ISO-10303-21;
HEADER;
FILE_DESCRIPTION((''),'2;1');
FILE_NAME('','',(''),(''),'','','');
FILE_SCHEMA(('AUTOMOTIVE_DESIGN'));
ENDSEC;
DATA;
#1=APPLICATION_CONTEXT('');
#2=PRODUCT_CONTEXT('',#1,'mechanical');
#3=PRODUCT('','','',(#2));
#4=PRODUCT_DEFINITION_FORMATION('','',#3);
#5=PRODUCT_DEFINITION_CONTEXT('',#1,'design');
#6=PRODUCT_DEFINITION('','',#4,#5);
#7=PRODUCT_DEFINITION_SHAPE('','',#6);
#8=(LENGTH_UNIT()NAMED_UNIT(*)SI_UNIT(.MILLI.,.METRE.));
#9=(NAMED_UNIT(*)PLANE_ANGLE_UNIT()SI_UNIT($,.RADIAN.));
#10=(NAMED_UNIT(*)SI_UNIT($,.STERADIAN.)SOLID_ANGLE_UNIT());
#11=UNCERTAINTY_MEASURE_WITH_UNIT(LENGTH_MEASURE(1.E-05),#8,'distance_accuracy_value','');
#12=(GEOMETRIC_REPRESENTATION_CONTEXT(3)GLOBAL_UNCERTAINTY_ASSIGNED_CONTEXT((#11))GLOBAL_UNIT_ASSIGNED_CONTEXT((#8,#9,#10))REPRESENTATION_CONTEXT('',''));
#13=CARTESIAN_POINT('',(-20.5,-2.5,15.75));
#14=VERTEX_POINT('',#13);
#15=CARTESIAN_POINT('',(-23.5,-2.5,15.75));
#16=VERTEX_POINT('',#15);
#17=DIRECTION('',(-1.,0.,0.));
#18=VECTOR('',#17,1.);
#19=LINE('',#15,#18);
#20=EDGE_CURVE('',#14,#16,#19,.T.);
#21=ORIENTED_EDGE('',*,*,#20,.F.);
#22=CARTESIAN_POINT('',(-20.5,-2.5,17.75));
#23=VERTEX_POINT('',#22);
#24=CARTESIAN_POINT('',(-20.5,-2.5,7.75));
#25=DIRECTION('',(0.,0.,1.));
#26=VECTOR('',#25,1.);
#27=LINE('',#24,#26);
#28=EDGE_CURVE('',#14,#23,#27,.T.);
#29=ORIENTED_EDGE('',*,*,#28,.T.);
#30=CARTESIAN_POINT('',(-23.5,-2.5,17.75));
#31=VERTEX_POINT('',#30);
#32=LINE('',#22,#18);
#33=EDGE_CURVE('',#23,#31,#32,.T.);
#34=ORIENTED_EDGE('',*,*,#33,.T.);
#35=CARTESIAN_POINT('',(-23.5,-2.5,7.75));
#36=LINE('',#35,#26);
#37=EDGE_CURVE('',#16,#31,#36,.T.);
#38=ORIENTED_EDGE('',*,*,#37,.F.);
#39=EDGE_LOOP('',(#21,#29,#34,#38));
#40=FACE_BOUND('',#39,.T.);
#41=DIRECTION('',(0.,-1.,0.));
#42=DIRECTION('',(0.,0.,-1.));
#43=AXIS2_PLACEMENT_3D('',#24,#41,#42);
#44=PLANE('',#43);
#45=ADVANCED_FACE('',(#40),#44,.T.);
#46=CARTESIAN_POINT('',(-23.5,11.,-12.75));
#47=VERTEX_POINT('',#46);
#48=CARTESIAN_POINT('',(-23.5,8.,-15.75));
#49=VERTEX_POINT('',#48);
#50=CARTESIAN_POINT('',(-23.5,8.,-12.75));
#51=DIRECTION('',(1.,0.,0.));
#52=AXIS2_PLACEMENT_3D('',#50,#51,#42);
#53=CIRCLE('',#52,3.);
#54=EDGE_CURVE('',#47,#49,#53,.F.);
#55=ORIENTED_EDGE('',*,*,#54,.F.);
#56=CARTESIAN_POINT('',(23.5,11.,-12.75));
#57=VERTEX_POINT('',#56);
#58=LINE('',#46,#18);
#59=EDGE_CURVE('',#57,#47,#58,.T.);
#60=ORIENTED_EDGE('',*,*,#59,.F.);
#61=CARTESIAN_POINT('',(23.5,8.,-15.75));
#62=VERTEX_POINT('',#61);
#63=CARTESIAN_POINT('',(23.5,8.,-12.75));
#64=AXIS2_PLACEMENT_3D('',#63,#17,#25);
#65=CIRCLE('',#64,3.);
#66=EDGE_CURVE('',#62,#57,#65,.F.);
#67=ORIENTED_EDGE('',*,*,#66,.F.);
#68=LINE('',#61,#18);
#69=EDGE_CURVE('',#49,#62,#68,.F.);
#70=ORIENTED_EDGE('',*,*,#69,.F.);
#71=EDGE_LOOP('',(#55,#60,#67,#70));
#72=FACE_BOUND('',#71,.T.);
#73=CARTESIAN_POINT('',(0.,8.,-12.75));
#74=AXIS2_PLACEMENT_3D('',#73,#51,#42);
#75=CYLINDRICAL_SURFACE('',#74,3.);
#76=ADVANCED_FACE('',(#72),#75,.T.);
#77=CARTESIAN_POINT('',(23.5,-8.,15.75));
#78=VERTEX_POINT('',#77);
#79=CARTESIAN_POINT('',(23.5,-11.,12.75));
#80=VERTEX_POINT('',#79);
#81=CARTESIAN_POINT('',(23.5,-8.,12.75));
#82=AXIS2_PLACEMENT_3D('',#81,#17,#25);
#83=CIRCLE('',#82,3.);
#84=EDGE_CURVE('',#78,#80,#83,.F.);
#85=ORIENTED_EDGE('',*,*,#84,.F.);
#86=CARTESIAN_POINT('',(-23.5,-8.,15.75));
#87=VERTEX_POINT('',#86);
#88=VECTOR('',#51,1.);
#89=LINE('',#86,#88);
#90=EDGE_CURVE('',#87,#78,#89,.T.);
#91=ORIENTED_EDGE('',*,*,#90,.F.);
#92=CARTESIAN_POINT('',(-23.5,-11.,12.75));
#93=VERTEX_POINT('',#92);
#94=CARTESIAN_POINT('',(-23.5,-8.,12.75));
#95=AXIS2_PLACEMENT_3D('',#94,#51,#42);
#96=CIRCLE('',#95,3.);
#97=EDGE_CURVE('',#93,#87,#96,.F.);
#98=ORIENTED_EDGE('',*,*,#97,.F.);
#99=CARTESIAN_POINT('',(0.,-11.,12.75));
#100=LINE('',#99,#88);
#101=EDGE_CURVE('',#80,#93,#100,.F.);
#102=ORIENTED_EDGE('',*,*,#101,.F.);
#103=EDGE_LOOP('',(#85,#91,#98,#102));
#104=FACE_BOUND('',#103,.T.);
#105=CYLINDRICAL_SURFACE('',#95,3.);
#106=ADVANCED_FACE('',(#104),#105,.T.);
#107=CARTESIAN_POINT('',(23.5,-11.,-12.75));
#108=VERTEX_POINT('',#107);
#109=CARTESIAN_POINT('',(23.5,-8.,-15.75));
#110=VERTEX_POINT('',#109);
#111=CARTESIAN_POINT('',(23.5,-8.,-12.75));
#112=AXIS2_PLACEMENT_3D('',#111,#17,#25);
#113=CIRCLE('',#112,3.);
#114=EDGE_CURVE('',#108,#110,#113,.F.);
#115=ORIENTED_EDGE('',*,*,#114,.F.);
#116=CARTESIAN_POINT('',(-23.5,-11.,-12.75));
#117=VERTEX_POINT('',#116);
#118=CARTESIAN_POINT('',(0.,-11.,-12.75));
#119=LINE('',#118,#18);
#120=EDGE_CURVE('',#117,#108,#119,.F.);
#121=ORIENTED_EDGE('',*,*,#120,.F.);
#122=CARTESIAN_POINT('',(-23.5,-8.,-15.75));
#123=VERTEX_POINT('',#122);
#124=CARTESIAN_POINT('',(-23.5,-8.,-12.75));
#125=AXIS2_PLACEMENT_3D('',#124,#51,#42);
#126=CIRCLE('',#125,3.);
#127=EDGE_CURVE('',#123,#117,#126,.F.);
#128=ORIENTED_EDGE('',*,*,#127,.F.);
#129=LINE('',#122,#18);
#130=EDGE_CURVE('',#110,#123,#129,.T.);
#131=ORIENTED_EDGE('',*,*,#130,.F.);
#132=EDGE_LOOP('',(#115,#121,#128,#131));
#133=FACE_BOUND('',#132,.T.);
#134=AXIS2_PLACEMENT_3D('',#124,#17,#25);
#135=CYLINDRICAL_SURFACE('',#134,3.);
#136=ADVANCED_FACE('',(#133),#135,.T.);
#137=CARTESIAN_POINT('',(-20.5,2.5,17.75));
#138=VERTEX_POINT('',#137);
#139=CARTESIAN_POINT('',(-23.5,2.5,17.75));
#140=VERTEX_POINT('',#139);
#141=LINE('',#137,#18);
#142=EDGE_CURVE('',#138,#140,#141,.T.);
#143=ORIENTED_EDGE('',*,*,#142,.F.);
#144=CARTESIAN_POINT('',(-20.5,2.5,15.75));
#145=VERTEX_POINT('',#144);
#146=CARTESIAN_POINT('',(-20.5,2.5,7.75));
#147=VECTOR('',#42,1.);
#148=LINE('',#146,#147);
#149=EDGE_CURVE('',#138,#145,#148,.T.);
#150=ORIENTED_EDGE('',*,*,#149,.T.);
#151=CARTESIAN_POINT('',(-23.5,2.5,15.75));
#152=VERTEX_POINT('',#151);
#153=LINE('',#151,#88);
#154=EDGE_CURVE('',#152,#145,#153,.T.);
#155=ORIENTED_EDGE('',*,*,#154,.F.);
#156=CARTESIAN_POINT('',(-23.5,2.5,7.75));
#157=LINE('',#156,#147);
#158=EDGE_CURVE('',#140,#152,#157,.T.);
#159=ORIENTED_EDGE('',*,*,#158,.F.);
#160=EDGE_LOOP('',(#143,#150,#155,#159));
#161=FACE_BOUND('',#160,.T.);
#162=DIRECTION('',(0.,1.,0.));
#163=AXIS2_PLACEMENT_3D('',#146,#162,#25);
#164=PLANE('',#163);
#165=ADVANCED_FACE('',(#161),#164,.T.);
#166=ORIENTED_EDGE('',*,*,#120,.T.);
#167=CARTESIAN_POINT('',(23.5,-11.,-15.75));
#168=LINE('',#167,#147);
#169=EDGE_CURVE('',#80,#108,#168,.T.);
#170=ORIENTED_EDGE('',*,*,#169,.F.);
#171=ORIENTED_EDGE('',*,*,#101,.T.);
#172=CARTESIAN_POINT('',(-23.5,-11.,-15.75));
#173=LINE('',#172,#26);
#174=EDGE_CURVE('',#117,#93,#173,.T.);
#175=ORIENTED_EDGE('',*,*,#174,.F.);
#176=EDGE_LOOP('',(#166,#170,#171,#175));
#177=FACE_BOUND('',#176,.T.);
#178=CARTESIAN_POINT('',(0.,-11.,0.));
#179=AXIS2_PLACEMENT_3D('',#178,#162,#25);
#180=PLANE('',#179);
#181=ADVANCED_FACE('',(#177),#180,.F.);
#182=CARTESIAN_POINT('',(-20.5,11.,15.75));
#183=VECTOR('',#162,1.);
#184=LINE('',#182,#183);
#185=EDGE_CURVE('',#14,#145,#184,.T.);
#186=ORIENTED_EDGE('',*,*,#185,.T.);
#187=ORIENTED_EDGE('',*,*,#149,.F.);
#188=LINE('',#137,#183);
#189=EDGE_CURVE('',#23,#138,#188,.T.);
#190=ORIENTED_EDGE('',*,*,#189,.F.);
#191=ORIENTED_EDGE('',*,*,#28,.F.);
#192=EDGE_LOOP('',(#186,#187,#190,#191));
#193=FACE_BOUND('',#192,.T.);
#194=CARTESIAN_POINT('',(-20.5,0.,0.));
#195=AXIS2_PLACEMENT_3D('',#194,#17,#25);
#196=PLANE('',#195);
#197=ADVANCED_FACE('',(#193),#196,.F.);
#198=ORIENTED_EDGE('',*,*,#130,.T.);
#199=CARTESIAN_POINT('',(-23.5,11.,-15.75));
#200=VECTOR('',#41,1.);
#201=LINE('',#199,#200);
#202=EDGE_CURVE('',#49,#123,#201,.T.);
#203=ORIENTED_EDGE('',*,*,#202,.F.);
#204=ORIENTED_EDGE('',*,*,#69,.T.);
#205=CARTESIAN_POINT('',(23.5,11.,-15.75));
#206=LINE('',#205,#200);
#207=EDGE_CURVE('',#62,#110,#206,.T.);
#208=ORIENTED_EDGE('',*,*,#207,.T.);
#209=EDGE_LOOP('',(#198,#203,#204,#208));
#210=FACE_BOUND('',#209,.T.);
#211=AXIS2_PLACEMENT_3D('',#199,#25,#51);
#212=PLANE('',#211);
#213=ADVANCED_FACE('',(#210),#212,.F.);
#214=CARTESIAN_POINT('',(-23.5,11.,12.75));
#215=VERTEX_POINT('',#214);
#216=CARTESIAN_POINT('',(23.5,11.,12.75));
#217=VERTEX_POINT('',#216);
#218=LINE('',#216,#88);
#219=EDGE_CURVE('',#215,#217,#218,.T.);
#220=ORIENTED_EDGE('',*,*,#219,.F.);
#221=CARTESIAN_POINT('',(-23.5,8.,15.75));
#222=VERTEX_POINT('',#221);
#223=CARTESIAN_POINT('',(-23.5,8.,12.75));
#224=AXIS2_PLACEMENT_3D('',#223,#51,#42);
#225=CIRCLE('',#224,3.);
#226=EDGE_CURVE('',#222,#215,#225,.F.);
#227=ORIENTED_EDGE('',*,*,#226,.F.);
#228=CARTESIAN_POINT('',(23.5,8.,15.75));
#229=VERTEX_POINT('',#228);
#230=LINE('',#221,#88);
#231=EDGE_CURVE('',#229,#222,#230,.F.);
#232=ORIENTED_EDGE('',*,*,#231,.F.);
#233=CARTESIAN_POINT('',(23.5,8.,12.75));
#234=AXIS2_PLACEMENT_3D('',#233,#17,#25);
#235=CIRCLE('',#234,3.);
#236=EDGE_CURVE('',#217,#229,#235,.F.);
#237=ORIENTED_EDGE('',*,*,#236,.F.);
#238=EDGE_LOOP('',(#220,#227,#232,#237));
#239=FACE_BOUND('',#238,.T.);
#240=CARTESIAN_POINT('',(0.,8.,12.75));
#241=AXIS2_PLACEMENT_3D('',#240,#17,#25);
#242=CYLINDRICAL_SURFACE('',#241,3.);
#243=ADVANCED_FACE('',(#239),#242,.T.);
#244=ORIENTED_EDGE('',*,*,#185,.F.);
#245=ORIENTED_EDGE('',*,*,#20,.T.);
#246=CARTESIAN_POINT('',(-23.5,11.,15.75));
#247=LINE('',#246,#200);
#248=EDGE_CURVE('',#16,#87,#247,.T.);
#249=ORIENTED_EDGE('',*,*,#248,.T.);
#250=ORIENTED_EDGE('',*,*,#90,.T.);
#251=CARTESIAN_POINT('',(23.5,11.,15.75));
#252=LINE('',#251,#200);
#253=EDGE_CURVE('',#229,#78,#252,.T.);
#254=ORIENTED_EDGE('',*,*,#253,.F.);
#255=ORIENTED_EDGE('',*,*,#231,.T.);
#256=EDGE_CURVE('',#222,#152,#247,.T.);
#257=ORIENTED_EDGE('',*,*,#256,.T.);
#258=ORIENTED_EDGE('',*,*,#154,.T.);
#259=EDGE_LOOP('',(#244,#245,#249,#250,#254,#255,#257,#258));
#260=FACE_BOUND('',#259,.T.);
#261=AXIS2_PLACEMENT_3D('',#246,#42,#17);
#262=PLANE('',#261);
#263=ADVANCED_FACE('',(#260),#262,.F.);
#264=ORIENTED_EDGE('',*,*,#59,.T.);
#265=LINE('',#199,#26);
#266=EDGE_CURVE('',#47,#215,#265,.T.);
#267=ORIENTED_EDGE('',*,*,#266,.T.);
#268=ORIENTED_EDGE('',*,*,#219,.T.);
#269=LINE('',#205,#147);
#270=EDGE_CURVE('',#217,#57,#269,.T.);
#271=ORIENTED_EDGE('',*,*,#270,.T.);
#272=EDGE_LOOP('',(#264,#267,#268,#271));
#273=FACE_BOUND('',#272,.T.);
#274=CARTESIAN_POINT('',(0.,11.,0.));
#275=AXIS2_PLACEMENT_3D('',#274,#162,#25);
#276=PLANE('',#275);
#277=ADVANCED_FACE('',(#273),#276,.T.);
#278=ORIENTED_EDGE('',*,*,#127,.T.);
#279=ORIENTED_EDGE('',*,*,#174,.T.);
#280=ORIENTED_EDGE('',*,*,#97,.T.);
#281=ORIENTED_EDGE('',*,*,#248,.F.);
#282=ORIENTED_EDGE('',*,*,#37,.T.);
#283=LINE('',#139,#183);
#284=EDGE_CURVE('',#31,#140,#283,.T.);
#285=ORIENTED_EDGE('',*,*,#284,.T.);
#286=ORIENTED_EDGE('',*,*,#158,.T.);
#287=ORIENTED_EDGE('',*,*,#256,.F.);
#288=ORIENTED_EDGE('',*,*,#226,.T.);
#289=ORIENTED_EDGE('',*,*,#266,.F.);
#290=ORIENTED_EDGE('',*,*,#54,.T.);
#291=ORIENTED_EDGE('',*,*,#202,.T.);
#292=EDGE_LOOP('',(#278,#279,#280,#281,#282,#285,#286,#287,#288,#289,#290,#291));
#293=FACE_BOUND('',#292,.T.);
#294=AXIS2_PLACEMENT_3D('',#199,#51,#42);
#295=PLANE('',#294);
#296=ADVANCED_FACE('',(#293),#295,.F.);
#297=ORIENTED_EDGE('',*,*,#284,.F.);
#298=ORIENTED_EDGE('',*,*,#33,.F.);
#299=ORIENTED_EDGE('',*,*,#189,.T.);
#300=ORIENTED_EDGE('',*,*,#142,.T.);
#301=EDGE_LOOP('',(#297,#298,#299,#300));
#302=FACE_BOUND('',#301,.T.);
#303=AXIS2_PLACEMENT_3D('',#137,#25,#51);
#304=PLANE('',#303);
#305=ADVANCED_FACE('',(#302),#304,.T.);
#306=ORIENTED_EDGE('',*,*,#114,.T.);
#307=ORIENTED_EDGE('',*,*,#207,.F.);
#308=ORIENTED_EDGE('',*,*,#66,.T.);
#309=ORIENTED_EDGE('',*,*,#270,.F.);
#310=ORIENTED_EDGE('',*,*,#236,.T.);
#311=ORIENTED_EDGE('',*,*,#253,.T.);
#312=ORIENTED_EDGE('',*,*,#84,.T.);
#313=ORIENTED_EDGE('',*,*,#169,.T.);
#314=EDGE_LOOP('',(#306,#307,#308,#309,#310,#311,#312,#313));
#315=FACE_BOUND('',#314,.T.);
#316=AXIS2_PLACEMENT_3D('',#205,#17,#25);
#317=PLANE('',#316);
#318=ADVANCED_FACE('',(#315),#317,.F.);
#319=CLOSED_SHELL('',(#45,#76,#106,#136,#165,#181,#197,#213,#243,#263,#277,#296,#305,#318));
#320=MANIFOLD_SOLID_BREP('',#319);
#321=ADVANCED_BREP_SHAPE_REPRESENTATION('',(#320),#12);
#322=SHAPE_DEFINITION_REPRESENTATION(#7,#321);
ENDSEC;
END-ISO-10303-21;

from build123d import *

# Parameters (mm, degrees)
SKETCH_1_W      = 47
SKETCH_1_H      = 31.5
EXTRUDE_1_DEPTH = 11
FILLET_1_R      = 3
SKETCH_2_W      = 10
SKETCH_2_H      = 5
EXTRUDE_2_DEPTH = 3


with BuildPart() as part:
    # ｽｹｯﾁ1 → ﾎﾞｽ - 押し出し1 (new, symmetric)
    with BuildSketch(Plane(origin=(0, 0, 0), x_dir=(1, 0, 0), z_dir=(0, 1, 0))):
        Rectangle(SKETCH_1_W, SKETCH_1_H)
    extrude(amount=EXTRUDE_1_DEPTH, both=True)

    # ﾌｨﾚｯﾄ1
    fillet_1_edges = [part.edges().sort_by_distance(p)[0] for p in [
        (0, 11, 15.75),
        (0, -11, 15.75),
        (0, -11, -15.75),
        (0, 11, -15.75),
    ]]
    fillet(fillet_1_edges, radius=FILLET_1_R)

    # ｽｹｯﾁ2 → ﾎﾞｽ - 押し出し2 (add)
    with BuildSketch(Plane.ZY.offset(23.5)):
        with Locations((12.75, 0)):
            Rectangle(SKETCH_2_W, SKETCH_2_H)
    extrude(amount=-EXTRUDE_2_DEPTH)


solid = part.part
